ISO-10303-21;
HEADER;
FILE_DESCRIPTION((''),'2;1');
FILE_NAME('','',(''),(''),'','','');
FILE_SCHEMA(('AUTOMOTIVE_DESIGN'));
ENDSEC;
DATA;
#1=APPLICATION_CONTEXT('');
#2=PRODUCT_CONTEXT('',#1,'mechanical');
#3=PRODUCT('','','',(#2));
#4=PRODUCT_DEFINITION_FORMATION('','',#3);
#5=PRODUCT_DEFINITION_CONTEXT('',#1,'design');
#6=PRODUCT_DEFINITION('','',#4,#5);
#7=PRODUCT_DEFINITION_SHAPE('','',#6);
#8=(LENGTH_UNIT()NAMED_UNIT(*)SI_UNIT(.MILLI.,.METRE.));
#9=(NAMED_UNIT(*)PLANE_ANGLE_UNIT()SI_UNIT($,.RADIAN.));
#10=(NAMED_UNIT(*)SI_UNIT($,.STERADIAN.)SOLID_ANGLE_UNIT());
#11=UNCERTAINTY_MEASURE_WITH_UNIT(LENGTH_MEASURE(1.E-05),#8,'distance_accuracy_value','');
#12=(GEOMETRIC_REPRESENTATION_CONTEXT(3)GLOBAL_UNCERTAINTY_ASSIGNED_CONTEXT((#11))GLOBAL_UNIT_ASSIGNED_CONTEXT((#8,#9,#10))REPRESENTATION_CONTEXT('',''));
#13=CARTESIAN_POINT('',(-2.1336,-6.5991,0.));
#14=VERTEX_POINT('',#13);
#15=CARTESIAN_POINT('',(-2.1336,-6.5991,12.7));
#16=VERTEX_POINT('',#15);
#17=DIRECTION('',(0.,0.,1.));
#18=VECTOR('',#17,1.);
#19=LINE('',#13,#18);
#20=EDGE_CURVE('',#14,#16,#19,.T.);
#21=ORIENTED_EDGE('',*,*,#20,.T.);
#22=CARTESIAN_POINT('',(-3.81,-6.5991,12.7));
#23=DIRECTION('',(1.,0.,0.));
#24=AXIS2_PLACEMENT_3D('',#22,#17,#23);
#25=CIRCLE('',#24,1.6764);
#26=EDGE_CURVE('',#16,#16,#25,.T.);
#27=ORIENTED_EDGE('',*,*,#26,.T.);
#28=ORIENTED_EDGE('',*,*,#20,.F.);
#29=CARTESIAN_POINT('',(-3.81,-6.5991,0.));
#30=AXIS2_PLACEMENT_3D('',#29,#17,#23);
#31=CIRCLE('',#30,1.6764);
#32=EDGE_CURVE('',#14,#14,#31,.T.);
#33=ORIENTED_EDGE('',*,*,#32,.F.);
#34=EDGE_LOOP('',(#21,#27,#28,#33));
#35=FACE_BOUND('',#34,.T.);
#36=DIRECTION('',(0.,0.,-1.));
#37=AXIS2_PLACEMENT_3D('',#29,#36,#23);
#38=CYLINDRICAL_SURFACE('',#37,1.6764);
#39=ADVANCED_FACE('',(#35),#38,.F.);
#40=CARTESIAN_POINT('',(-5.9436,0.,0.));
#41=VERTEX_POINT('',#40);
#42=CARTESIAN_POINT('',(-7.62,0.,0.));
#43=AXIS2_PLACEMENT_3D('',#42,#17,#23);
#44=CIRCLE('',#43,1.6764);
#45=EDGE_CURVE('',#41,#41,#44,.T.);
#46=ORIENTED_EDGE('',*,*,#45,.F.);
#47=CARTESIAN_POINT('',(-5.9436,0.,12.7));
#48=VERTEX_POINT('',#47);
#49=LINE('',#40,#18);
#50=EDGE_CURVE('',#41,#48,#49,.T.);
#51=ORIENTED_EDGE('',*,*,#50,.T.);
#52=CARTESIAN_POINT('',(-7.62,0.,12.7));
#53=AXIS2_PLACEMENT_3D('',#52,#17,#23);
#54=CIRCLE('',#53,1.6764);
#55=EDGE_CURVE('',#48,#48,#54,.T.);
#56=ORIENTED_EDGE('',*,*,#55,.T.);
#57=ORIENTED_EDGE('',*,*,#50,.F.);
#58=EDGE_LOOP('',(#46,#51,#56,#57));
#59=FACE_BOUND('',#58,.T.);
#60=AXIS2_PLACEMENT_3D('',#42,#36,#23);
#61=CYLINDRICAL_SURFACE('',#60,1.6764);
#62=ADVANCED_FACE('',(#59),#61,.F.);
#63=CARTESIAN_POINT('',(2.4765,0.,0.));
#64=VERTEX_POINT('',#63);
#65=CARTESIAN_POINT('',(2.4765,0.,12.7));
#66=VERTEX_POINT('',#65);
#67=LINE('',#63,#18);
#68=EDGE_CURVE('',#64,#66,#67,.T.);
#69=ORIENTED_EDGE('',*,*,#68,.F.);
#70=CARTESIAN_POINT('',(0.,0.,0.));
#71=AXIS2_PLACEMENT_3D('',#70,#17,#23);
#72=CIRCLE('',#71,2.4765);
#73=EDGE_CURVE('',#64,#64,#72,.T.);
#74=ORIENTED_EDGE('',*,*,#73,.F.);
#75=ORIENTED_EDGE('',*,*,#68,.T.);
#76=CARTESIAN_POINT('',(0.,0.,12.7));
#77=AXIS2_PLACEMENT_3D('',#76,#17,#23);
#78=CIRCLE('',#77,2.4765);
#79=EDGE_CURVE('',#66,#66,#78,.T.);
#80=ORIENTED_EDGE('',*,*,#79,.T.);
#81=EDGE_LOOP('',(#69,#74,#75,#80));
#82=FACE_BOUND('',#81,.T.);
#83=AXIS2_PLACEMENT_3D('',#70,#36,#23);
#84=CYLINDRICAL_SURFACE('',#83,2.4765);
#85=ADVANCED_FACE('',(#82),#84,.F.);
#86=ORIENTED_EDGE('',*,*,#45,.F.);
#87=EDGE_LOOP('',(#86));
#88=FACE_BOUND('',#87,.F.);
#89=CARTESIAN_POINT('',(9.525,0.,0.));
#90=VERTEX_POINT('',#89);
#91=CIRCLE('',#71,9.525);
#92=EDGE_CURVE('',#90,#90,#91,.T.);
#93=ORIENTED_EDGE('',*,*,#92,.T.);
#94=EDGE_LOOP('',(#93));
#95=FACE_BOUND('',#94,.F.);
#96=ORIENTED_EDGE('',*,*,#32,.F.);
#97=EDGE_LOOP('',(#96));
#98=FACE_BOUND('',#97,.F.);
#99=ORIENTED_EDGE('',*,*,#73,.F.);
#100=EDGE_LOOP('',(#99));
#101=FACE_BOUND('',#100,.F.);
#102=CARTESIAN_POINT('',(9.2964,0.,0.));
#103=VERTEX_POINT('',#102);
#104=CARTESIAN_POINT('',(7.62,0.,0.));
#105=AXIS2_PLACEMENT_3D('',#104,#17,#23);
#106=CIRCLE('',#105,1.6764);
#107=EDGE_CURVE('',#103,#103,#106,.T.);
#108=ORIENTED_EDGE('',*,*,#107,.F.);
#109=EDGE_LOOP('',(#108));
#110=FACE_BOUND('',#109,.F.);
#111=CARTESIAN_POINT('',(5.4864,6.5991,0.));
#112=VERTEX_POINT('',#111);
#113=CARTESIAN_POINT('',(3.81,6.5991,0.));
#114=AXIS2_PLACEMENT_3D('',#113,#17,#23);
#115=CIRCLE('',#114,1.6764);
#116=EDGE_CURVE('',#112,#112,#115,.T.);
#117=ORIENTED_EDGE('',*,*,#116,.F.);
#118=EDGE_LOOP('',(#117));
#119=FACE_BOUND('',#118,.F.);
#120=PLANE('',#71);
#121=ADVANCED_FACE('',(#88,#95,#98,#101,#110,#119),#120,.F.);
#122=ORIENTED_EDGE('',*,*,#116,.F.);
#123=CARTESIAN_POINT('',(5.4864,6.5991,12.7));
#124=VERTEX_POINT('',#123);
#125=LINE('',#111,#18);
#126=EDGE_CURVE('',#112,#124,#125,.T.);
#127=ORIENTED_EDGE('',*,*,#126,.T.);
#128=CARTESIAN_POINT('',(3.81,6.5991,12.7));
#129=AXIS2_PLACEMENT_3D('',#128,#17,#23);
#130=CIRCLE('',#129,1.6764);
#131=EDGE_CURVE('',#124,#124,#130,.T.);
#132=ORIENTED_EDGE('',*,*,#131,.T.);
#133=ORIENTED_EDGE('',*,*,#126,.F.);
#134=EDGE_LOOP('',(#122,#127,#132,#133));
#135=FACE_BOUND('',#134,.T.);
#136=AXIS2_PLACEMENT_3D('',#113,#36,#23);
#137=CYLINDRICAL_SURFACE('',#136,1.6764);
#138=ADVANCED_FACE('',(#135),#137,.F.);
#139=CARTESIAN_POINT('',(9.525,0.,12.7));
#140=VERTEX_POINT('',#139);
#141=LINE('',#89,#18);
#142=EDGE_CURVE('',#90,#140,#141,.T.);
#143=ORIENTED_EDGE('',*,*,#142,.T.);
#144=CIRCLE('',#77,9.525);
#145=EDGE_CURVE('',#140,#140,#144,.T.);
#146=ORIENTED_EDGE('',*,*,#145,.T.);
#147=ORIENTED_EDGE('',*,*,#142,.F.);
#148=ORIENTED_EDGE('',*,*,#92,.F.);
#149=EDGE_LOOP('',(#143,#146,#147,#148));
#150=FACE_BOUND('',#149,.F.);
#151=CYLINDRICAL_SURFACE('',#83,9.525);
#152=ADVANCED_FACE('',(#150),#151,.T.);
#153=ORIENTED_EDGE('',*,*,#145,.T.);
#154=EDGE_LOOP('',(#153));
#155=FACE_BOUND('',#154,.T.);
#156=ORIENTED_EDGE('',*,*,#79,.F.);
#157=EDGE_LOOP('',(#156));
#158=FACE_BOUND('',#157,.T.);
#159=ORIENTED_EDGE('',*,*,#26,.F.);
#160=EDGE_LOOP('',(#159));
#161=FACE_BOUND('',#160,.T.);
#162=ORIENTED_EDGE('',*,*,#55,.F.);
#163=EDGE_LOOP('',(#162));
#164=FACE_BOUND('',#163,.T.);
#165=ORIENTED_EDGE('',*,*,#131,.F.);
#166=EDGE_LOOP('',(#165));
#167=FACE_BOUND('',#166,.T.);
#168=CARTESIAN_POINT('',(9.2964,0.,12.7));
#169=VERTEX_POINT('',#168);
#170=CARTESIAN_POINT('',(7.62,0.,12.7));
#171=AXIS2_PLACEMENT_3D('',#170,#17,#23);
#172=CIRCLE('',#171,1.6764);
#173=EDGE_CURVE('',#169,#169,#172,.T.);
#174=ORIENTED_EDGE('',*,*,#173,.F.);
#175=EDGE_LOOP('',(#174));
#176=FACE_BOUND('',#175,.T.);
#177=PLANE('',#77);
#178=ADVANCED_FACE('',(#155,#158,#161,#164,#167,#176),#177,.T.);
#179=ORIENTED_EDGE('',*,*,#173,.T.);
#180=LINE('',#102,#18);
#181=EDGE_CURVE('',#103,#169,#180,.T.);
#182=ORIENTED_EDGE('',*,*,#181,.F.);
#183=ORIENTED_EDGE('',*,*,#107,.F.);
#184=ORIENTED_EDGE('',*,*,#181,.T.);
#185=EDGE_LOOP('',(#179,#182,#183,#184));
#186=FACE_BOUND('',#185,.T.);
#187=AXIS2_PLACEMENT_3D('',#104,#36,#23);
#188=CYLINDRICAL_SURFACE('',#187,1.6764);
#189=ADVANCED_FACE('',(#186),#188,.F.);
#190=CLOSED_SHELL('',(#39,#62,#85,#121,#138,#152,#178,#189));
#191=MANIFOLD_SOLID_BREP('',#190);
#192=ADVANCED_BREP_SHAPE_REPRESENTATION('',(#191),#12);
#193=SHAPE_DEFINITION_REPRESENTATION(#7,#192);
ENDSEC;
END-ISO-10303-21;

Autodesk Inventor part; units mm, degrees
ref_plane "YZ Plane" through (0, 0, 0) normal (1, 0, 0) x (0, 1, 0)
ref_plane "XZ Plane" through (0, 0, 0) normal (0, 1, 0) x (-1, 0, 0)
ref_plane "XY Plane" through (0, 0, 0) normal (0, 0, 1) x (1, 0, 0)
sketch "Sketch1" plane through (0, 0, 0) normal (0, 0, 1) x (1, 0, 0)
  circle A0 centre (7.62, 0) radius 1.6764
  circle A1 centre (-7.62, 0) radius 1.6764
  circle A2 centre (0, 0) radius 9.525
  circle A3 centre (-3.81, -6.5991) radius 1.6764
  circle A4 centre (3.81, 6.5991) radius 1.6764
  circle A5 centre (0, 0) radius 2.4765
  point P0 (-4.7625, -8.2489)
  point P1 (4.7625, 8.2489)
  dimension "d69" = 3.3528
  dimension "d70" = 3.3528
  dimension "d75" = 3.3528
  dimension "d76" = 3.3528
  dimension "d79" = 7.62
  dimension "d80" = 7.62
  dimension "d82" = 4.953
  dimension "d83" = 7.62
  dimension "d84" = 7.62
extrude "Extrusion14" add sketch "Sketch1" along normal blind 12.7
properties part number "Crankshaft"
